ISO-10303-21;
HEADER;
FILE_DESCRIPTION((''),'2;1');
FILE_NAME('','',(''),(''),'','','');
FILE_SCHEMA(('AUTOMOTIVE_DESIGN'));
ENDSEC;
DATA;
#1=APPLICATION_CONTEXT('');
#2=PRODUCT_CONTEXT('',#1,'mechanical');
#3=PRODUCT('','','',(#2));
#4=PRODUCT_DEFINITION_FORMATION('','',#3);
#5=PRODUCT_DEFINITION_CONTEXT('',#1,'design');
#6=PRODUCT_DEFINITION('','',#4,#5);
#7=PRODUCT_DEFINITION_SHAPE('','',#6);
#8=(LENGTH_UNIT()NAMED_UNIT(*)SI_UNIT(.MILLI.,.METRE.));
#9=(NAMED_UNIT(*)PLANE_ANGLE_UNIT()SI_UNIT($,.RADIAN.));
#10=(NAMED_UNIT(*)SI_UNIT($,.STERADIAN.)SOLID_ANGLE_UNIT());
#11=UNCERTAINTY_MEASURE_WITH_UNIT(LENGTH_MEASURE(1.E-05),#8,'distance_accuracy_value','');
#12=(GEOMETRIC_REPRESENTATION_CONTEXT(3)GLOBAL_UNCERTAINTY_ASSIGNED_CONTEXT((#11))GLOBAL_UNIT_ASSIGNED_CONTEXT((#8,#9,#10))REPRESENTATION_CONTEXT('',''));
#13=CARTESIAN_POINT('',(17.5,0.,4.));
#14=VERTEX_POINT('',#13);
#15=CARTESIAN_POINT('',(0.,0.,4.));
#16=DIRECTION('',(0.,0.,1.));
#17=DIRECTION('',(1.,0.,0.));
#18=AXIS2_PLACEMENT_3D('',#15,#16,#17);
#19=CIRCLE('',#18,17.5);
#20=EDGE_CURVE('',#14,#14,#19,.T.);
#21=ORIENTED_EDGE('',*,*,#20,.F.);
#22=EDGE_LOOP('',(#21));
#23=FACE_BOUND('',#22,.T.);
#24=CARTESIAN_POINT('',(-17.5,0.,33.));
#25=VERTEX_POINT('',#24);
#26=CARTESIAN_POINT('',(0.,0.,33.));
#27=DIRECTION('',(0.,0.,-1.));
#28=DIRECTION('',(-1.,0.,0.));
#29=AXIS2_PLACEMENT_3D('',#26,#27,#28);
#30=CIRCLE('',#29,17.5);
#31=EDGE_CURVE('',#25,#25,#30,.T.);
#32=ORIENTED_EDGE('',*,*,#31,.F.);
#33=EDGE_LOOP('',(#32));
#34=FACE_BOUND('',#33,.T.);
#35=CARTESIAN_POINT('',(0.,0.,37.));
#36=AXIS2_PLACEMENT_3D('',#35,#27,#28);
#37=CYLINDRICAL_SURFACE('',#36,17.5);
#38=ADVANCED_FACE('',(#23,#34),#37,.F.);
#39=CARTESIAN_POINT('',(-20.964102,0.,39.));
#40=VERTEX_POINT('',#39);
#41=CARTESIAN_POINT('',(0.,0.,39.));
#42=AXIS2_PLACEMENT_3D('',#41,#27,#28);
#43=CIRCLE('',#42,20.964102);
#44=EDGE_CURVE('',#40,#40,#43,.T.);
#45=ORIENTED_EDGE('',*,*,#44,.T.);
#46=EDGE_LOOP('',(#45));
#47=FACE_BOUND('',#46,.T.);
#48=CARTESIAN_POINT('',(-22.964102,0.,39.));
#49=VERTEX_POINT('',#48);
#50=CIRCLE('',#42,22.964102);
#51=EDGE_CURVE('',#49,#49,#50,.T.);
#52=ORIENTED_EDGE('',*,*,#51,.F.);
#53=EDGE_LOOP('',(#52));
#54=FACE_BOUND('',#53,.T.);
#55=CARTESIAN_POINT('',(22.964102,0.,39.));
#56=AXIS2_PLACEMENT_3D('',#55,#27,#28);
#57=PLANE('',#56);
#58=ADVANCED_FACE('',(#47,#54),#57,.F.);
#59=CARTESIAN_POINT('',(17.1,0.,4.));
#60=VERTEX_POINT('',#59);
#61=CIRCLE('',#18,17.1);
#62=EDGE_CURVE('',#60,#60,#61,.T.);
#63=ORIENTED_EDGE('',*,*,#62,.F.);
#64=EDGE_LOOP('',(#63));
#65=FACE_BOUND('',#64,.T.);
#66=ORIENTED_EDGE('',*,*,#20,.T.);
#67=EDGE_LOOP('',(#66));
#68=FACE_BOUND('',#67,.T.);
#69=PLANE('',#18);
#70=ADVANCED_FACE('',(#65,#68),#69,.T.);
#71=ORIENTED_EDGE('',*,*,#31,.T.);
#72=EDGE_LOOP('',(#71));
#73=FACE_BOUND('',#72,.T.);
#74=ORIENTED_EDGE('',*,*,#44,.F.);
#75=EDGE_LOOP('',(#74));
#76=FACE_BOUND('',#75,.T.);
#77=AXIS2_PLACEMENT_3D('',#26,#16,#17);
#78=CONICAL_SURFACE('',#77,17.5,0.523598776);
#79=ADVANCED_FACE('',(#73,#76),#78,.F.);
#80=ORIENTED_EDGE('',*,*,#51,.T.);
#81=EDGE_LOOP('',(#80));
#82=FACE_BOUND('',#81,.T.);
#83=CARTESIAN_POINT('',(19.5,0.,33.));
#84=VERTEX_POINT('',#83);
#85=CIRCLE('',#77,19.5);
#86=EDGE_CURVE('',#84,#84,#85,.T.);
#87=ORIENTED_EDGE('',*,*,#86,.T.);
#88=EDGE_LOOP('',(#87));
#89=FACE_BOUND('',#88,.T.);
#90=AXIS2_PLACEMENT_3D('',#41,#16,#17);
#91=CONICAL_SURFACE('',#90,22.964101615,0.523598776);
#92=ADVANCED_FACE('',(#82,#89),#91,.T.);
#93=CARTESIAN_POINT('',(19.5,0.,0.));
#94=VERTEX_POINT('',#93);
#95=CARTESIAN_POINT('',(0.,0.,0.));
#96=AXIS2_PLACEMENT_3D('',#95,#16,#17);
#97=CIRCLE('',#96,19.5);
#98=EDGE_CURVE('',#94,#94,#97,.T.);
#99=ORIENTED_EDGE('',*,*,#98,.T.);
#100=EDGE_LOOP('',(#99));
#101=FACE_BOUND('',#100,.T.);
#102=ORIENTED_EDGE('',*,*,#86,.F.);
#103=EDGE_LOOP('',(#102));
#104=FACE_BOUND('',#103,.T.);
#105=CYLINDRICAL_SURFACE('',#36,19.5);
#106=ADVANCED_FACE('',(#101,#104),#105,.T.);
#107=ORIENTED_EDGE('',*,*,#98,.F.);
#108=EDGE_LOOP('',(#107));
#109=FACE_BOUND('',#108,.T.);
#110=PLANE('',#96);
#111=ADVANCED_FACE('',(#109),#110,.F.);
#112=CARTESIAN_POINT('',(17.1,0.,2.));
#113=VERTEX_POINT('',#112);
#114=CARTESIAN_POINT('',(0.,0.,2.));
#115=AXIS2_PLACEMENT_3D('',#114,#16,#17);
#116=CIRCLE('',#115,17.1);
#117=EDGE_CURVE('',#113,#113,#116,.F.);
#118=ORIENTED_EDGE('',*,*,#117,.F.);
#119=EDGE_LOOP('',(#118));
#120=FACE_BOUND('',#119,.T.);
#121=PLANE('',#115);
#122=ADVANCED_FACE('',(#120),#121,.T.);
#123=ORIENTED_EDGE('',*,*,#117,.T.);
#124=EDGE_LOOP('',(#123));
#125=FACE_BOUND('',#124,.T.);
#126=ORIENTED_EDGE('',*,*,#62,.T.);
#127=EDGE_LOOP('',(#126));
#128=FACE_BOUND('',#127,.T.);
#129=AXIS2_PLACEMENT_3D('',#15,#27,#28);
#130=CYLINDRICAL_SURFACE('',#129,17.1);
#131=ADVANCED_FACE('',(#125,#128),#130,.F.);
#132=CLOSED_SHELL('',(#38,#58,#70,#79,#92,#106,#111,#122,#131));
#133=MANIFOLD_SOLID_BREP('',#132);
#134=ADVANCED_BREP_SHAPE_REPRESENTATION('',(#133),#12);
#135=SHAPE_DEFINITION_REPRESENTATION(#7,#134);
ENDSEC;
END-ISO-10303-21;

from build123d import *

# Parameters (mm, degrees)
SKETCH1_R           = 19.5
BOSS_EXTRUDE1_DEPTH = 37
SHELL1_T            = -2
SKETCH2_R           = 17.5
SKETCH2_R_2         = 17.1
BOSS_EXTRUDE2_DEPTH = 2
CUT_EXTRUDE1_START  = -4
SKETCH3_R           = 19.5
CUT_EXTRUDE1_DEPTH  = 4


with BuildPart() as part:
    # Sketch1 → Boss-Extrude1 (new body)
    with BuildSketch(Plane.XY):
        Circle(SKETCH1_R)
    extrude(amount=BOSS_EXTRUDE1_DEPTH)

    # Shell1
    shell1_openings = [part.faces().sort_by_distance(p)[0] for p in [
        (0, 0, 37),
    ]]
    offset(amount=SHELL1_T, openings=shell1_openings, kind=Kind.INTERSECTION)

    # Sketch2 → Boss-Extrude2 (add)
    with BuildSketch(Plane.XY.offset(2)):
        Circle(SKETCH2_R)
        Circle(SKETCH2_R_2, mode=Mode.SUBTRACT)
    extrude(amount=BOSS_EXTRUDE2_DEPTH)

    # Sketch3 → Cut-Extrude1 (cut)
    with BuildSketch(Plane.XY.offset(37).offset(CUT_EXTRUDE1_START)):
        Circle(SKETCH3_R)
    extrude(amount=CUT_EXTRUDE1_DEPTH, mode=Mode.SUBTRACT)

    # Sketch4 → Revolve1 (revolve)
    with BuildSketch(Plane(origin=(0, 0, 0), x_dir=(1, 0, 0), z_dir=(0, 1, 0)), mode=Mode.PRIVATE) as revolve1_sk:
        Polygon((19.5, -33), (22.964101615, -39), (20.964101615, -39), (17.5, -33), align=None)
    revolve(revolve1_sk.sketch.rotate(Axis((0, 0, 33), (0, 0, 1)), 180), axis=Axis((0, 0, 33), (0, 0, 1)))


solid = part.part
